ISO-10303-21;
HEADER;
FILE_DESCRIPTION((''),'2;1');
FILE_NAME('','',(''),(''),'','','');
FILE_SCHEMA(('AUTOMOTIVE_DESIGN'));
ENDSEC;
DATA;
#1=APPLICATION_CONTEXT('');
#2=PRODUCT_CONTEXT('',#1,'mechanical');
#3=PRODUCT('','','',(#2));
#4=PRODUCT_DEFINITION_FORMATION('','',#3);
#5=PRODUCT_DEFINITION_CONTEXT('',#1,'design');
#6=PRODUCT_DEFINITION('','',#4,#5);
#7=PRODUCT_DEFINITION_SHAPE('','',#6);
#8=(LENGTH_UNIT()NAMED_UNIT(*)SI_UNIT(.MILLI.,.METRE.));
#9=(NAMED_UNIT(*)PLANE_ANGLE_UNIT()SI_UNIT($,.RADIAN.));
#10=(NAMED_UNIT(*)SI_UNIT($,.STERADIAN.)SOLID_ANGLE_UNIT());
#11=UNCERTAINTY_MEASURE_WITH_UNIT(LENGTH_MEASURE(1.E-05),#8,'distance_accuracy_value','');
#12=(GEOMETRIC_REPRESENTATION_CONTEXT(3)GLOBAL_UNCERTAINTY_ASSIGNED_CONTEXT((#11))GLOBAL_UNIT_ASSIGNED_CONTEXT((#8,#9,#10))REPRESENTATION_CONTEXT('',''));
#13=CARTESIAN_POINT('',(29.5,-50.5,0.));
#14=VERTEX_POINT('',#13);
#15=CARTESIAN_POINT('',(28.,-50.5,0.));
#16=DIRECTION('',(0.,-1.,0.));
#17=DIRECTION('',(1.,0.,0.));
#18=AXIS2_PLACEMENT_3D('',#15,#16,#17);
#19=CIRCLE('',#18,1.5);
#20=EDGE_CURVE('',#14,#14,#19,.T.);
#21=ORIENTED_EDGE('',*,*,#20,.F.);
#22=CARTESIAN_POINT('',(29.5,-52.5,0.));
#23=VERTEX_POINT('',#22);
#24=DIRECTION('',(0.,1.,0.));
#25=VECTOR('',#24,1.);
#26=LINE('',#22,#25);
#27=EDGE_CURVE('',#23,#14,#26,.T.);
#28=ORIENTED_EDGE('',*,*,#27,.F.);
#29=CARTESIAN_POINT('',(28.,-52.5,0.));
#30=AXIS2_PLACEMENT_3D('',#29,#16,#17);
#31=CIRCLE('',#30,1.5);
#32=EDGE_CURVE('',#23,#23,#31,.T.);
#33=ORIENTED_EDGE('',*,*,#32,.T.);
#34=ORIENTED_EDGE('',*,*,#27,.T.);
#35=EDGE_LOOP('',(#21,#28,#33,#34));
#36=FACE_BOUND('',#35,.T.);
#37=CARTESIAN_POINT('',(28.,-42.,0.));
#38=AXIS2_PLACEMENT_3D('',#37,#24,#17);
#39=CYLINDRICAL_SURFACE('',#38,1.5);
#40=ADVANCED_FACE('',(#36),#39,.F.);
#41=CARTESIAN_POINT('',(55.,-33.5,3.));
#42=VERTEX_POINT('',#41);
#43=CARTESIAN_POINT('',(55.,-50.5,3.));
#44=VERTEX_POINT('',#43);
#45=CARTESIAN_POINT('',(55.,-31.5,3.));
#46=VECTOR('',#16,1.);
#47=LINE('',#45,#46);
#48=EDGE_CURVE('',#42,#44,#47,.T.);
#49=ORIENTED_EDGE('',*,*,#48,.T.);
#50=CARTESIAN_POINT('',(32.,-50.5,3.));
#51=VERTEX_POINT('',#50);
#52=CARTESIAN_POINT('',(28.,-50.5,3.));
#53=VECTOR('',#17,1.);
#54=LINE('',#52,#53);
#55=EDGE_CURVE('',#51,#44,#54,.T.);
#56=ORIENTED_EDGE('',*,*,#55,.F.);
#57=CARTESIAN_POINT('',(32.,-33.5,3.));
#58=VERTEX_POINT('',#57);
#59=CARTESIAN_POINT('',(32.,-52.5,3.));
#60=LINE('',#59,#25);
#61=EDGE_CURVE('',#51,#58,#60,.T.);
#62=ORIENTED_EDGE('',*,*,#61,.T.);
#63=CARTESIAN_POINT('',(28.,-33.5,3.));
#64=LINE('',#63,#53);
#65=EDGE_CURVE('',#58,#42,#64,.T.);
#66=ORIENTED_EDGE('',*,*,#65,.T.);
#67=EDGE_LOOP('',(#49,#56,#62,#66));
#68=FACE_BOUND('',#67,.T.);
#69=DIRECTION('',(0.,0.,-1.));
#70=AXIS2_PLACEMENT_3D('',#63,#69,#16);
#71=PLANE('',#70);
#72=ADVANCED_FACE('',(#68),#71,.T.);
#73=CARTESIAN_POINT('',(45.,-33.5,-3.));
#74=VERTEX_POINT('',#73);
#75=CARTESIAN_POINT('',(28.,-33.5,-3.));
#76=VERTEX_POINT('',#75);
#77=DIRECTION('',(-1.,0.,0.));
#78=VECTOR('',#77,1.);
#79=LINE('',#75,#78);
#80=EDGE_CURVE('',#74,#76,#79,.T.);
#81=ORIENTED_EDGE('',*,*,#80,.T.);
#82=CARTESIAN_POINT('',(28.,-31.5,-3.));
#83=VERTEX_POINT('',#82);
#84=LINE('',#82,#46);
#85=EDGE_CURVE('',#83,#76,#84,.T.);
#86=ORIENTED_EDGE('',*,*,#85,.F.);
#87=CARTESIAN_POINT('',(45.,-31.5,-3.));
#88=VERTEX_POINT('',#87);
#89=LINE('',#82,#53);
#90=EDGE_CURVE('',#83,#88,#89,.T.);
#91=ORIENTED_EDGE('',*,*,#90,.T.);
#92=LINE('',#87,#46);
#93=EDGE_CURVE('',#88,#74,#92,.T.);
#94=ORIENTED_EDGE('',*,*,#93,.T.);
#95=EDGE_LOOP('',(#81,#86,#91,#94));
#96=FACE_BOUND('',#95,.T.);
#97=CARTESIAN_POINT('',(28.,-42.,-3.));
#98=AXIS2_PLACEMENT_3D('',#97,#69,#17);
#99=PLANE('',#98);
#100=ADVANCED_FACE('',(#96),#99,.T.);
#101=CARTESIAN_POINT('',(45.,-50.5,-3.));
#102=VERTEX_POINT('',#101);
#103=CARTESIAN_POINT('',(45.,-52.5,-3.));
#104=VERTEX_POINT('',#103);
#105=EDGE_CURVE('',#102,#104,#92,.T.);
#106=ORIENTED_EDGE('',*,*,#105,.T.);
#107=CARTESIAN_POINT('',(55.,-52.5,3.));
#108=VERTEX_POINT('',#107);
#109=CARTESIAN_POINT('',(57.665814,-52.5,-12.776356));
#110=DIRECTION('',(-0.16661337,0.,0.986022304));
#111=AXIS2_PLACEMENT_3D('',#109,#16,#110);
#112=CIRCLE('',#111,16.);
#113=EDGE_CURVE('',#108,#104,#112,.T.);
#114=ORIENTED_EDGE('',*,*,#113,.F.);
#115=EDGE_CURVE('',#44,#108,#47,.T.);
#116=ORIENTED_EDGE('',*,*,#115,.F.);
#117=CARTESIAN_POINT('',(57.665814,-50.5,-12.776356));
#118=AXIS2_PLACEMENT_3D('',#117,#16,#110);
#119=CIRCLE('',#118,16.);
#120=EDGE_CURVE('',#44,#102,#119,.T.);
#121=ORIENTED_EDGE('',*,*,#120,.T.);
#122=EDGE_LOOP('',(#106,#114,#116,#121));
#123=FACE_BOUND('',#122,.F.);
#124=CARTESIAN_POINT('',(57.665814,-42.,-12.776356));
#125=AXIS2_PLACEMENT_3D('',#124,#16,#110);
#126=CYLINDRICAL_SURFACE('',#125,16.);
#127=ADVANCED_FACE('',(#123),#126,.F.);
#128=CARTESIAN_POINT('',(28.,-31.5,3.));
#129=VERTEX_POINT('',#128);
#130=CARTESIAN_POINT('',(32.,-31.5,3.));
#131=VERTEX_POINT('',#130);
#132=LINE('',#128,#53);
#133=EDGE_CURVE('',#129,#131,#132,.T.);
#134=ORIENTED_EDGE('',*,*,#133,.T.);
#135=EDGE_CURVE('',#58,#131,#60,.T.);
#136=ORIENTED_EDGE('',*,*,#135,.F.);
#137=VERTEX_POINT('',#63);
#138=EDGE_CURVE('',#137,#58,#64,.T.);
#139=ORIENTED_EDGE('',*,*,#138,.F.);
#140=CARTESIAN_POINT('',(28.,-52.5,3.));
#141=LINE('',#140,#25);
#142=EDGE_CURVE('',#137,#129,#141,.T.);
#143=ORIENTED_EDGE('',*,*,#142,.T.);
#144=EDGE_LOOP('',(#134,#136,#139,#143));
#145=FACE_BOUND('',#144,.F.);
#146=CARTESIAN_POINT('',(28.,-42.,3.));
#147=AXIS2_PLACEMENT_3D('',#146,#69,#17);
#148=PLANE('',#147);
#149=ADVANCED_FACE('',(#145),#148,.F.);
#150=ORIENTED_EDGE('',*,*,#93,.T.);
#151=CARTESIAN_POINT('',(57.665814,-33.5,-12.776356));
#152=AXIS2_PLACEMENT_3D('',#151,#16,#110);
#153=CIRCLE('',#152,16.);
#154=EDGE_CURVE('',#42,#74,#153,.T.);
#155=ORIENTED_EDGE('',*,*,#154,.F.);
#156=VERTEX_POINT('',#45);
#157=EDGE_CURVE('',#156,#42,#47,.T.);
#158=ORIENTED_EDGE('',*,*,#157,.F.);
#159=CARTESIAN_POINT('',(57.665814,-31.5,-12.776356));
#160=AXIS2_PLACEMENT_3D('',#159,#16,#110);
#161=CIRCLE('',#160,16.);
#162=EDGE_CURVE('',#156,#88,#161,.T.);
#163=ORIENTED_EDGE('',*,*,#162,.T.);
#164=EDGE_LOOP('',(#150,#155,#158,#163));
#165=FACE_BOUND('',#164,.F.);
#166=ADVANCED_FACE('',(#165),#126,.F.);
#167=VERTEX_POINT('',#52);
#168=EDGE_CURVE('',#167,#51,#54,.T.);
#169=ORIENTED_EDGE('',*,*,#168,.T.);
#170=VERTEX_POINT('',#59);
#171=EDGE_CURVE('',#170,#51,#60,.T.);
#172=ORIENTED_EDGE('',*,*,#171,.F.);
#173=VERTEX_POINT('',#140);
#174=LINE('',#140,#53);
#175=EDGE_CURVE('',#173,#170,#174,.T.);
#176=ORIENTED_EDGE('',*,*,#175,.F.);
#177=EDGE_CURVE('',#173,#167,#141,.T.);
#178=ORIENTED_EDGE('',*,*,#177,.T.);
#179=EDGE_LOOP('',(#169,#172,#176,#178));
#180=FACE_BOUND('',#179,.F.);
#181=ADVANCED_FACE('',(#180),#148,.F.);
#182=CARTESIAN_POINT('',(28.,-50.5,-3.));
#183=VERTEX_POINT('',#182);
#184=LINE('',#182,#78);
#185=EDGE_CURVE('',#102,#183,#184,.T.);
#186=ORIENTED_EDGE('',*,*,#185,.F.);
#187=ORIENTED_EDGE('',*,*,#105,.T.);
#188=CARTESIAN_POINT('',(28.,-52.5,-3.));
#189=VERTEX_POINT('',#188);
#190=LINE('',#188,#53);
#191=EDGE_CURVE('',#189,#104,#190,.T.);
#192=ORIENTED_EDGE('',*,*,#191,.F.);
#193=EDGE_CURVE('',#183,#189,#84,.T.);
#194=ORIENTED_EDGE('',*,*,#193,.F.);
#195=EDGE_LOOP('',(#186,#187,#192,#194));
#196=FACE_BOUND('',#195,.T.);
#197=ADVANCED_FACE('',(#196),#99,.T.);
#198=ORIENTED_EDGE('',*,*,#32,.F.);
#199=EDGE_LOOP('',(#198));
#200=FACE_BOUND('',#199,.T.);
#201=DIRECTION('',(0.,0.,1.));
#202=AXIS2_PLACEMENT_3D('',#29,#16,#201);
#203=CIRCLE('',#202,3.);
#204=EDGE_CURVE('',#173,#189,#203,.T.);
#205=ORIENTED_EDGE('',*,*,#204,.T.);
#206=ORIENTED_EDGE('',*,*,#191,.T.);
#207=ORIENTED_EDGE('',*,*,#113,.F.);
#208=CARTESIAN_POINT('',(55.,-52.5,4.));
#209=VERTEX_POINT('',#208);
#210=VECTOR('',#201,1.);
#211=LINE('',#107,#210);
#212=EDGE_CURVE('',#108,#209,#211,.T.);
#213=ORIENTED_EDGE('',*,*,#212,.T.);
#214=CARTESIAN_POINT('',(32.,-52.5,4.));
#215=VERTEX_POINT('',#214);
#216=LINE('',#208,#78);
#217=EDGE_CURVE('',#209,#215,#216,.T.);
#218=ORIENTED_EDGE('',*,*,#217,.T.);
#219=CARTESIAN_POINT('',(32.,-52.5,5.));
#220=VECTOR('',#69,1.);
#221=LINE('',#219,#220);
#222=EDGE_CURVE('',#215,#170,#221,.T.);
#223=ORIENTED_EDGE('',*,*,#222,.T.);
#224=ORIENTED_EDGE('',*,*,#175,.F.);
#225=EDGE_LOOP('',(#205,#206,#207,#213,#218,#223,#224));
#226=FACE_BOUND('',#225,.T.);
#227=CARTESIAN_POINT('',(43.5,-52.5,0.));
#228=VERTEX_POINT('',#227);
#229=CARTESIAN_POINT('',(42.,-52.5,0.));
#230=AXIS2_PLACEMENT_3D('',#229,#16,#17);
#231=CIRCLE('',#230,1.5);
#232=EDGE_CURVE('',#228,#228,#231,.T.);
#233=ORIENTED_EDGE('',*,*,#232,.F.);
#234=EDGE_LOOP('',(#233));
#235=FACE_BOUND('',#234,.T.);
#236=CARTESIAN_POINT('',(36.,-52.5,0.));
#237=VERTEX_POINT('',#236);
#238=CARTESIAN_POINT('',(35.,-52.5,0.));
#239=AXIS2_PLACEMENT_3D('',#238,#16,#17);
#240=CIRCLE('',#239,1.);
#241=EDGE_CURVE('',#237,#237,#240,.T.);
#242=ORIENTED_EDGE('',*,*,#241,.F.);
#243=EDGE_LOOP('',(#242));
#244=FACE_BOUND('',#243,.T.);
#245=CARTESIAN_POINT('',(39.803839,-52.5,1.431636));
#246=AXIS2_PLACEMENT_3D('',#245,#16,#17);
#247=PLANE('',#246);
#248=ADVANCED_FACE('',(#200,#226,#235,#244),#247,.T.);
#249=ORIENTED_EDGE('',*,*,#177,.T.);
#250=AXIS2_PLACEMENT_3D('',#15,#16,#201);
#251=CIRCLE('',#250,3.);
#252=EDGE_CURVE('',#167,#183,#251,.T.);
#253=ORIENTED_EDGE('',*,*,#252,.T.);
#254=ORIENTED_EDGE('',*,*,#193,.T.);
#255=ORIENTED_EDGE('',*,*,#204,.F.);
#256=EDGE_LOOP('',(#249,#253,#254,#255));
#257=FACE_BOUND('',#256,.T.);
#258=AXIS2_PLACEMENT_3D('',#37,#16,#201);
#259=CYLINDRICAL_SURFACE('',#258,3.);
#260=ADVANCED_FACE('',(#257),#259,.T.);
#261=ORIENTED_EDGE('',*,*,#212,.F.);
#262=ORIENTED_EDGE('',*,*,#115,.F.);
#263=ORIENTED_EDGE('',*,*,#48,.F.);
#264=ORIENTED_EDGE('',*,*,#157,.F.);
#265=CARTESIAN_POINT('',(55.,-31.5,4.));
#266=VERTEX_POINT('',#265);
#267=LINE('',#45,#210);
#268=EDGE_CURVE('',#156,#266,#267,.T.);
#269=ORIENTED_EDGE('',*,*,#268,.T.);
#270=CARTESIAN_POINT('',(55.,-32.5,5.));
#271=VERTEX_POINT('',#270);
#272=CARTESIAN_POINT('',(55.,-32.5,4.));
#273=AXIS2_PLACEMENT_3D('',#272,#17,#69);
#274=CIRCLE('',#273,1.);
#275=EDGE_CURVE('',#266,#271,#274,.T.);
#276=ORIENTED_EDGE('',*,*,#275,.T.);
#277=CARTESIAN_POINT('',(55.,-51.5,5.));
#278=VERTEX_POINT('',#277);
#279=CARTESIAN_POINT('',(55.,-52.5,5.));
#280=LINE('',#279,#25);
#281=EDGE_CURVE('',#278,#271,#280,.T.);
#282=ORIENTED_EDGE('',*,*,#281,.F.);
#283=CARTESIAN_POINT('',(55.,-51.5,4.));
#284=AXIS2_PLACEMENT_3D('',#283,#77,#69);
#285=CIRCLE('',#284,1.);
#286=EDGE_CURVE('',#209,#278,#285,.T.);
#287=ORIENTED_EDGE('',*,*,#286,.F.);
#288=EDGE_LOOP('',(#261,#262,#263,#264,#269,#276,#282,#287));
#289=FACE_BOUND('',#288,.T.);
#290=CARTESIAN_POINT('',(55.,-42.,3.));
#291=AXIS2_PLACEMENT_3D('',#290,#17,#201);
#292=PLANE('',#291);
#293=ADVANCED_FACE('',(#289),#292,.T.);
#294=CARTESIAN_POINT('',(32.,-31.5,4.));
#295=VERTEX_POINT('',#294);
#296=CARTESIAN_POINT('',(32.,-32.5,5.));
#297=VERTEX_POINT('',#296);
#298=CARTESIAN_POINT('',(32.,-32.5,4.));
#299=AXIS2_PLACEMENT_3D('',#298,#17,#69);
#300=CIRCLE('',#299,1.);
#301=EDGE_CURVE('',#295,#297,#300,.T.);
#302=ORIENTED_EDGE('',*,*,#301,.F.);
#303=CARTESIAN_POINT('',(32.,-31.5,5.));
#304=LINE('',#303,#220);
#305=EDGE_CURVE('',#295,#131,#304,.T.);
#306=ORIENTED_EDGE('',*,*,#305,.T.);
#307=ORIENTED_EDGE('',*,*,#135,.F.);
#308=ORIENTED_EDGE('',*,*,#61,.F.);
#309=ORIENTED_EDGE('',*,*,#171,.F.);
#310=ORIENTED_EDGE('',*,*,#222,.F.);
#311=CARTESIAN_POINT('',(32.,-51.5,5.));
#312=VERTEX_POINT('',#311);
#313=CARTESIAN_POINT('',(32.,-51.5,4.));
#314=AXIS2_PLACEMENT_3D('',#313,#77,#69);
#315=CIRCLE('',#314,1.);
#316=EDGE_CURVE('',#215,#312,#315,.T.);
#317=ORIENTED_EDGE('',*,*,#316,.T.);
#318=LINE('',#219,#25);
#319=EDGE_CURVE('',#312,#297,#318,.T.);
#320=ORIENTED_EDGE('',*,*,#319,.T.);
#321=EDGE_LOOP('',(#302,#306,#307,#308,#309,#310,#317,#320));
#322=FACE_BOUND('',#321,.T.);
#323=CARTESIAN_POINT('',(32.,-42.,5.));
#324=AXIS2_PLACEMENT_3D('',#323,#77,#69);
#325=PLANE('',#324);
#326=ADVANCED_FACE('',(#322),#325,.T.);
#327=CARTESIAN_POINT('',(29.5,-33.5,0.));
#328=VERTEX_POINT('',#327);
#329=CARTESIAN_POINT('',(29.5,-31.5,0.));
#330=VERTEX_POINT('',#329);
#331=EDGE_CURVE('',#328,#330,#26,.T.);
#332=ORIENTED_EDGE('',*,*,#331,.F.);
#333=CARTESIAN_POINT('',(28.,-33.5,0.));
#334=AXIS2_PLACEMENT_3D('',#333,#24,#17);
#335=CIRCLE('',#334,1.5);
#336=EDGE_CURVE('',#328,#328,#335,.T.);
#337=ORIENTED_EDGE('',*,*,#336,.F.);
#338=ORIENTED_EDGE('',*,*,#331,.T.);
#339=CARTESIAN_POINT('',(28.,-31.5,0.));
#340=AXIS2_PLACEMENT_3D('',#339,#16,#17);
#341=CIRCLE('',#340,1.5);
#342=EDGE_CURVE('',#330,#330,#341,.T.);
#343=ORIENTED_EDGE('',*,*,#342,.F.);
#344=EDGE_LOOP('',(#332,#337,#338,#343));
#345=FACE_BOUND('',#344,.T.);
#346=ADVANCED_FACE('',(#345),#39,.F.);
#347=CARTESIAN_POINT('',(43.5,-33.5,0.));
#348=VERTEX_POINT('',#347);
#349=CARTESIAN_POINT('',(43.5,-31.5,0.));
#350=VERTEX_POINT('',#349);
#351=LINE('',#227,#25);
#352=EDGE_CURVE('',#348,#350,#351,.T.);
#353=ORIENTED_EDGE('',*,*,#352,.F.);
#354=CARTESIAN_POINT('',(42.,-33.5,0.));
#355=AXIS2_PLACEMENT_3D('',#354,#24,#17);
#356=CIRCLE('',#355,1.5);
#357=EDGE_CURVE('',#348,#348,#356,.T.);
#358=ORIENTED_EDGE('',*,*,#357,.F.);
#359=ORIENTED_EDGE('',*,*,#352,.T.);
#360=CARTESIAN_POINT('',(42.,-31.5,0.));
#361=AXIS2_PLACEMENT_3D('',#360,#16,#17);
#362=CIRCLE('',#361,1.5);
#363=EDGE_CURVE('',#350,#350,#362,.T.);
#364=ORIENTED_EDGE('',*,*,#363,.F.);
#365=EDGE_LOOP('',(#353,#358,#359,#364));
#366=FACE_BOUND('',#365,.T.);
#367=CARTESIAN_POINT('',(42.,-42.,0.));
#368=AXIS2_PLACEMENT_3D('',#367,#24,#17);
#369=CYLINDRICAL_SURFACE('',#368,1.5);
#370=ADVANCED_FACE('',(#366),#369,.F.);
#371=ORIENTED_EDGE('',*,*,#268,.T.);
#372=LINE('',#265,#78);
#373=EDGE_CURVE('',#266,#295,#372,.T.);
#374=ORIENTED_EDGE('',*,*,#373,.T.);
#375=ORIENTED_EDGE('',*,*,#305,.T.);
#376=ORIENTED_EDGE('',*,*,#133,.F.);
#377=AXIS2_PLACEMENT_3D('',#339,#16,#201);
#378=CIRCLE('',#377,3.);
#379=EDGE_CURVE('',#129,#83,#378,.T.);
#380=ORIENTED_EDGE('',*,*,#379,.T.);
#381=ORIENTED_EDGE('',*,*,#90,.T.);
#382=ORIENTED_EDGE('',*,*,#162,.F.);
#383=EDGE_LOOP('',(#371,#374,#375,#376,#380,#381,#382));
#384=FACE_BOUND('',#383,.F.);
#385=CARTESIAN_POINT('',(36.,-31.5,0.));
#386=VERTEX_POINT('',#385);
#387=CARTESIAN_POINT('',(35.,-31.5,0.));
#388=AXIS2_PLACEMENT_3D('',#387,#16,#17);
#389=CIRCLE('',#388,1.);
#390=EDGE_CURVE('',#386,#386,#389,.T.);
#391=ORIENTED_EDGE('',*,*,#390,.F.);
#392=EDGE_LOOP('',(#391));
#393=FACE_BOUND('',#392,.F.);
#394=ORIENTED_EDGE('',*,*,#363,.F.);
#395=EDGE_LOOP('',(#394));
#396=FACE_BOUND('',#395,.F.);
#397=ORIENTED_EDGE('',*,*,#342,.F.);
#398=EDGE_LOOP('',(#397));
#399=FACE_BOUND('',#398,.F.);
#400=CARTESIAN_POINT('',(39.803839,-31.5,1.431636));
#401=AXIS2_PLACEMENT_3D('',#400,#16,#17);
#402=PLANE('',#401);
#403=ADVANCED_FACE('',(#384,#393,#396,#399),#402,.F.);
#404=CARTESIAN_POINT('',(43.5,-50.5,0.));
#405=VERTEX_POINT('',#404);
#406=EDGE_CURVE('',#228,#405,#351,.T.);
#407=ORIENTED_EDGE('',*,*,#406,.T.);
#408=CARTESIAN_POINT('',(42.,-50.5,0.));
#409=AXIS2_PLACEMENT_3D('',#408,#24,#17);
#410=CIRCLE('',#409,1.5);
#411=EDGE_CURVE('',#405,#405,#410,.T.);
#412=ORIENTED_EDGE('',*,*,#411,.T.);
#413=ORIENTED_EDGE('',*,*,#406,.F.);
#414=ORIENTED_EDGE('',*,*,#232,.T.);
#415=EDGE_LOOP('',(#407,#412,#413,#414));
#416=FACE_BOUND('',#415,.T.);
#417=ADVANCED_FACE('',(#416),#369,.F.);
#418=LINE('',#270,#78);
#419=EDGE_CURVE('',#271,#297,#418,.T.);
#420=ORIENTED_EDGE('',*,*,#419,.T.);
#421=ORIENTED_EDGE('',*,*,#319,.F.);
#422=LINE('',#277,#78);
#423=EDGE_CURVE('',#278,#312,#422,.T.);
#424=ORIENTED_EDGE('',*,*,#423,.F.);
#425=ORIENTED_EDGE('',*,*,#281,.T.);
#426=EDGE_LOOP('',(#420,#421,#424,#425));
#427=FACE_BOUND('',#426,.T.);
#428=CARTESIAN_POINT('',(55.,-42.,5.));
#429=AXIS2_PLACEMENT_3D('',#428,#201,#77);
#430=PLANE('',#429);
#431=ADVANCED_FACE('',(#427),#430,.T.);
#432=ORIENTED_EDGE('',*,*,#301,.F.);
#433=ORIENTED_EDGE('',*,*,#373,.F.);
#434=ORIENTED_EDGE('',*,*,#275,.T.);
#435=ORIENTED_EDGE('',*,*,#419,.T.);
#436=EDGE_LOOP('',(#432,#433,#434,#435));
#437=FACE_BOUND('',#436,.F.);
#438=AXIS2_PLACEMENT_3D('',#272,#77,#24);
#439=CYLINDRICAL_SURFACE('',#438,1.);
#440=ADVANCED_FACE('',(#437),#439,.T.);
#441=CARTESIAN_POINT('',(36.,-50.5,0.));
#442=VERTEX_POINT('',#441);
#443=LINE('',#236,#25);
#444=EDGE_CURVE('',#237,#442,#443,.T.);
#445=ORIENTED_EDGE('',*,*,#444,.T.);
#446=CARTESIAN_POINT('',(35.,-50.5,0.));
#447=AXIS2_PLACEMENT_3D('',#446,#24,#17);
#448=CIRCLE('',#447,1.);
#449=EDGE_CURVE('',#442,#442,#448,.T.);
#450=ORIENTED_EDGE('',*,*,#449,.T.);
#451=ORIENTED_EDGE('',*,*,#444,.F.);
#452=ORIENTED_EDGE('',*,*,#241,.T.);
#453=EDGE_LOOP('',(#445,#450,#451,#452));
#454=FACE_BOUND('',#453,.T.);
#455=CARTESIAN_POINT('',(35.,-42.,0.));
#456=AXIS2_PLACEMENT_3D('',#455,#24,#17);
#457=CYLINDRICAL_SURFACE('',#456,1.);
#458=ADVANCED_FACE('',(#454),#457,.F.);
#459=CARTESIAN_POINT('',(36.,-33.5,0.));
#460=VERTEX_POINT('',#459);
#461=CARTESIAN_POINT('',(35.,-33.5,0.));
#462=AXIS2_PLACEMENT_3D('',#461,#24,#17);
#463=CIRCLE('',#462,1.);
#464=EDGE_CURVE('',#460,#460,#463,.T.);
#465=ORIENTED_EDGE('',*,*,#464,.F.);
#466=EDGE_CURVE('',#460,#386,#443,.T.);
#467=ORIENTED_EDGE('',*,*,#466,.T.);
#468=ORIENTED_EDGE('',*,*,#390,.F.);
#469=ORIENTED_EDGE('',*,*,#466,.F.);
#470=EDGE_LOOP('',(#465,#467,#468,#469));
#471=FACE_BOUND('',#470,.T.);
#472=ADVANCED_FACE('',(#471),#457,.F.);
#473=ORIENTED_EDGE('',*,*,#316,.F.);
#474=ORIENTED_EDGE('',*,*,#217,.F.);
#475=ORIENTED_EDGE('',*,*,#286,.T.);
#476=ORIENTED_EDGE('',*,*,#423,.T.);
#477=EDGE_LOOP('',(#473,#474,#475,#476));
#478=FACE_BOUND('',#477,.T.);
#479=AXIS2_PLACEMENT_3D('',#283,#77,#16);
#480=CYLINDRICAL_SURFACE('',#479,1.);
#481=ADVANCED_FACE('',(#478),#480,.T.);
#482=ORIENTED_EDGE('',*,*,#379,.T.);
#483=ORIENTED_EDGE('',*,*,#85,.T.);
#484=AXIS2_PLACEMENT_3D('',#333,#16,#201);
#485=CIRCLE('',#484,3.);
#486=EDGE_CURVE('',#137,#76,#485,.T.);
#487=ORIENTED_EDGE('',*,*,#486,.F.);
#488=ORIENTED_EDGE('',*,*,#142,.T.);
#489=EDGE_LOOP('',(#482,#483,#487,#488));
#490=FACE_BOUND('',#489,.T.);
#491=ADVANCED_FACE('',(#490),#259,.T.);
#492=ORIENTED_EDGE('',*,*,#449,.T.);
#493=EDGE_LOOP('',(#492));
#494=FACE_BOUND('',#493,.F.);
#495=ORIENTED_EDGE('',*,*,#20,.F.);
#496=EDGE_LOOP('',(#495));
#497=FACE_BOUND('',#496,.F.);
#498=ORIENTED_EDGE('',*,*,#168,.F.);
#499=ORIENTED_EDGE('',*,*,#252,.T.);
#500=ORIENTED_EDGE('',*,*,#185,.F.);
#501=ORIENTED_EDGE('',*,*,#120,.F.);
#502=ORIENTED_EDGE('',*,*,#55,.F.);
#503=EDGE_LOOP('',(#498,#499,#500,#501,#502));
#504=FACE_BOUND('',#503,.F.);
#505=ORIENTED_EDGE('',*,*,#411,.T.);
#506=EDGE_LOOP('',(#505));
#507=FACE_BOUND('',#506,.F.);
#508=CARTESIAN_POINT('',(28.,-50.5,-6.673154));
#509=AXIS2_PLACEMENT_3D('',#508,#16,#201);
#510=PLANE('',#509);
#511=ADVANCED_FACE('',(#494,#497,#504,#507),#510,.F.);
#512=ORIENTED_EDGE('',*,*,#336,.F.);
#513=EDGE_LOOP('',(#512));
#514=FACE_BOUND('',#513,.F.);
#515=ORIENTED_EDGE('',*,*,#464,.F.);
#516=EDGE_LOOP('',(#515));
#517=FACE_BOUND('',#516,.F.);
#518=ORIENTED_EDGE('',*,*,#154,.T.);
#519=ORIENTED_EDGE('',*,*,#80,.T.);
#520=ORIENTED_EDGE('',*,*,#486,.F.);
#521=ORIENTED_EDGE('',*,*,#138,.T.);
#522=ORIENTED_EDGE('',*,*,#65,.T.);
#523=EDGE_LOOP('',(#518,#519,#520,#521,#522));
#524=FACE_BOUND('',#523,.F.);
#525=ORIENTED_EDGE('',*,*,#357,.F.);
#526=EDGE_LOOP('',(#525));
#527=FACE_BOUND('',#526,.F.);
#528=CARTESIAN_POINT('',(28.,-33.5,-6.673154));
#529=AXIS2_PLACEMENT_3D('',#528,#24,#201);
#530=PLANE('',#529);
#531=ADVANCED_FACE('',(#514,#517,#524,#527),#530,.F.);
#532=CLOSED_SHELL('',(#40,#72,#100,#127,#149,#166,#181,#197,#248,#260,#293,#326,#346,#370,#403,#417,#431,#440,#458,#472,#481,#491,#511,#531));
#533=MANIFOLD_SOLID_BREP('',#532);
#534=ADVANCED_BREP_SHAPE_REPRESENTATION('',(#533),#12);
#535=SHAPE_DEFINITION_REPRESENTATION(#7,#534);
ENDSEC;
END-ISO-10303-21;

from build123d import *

# Parameters (mm, degrees)
SKETCH002_R       = 1.5
SKETCH002_R_2     = 1
PAD002_DEPTH      = 10.5
SKETCH003_W       = 17
SKETCH003_H       = 9.673154
POCKET_DEPTH      = 27.001
POCKET_DEPTH_BACK = 3.001
FILLET002_R       = 1


with BuildPart() as part:
    # Sketch002 → Pad002 (new body, symmetric)
    with BuildSketch(Plane.XZ):
        with BuildLine():
            ThreePointArc((0, 3), (-3, 0), (0, -3))
            Line((0, -3), (17, -3))
            ThreePointArc((27, 3), (21.433882, 0.94353), (17, -3))
            Line((27, 3), (27, 5))
            Line((27, 5), (4, 5))
            Line((4, 5), (4, 3))
            Line((0, 3), (4, 3))
        make_face()
        Circle(SKETCH002_R, mode=Mode.SUBTRACT)
        with Locations((7, 0)):
            Circle(SKETCH002_R_2, mode=Mode.SUBTRACT)
        with Locations((14, 0)):
            Circle(SKETCH002_R, mode=Mode.SUBTRACT)
    extrude(amount=PAD002_DEPTH, both=True)

    # Sketch003 → Pocket (cut, two sides)
    with BuildSketch(Plane(origin=(0, 0, 0), x_dir=(0, -1, 0), z_dir=(-1, 0, 0))) as pocket_sk:
        with Locations((0, -1.836577)):
            Rectangle(SKETCH003_W, SKETCH003_H)
    extrude(amount=-POCKET_DEPTH, mode=Mode.SUBTRACT)
    extrude(pocket_sk.sketch, amount=POCKET_DEPTH_BACK, mode=Mode.SUBTRACT)

    # Fillet002
    fillet002_edges = [part.edges().sort_by_distance(p)[0] for p in [
        (15.5, 10.5, 5),
        (15.5, -10.5, 5),
    ]]
    fillet(fillet002_edges, radius=FILLET002_R)


with BuildPart() as part_1:
    # Body001 placement: moved
    add(part.part.moved(Location((28, -42, 0))))


solid = part_1.part
